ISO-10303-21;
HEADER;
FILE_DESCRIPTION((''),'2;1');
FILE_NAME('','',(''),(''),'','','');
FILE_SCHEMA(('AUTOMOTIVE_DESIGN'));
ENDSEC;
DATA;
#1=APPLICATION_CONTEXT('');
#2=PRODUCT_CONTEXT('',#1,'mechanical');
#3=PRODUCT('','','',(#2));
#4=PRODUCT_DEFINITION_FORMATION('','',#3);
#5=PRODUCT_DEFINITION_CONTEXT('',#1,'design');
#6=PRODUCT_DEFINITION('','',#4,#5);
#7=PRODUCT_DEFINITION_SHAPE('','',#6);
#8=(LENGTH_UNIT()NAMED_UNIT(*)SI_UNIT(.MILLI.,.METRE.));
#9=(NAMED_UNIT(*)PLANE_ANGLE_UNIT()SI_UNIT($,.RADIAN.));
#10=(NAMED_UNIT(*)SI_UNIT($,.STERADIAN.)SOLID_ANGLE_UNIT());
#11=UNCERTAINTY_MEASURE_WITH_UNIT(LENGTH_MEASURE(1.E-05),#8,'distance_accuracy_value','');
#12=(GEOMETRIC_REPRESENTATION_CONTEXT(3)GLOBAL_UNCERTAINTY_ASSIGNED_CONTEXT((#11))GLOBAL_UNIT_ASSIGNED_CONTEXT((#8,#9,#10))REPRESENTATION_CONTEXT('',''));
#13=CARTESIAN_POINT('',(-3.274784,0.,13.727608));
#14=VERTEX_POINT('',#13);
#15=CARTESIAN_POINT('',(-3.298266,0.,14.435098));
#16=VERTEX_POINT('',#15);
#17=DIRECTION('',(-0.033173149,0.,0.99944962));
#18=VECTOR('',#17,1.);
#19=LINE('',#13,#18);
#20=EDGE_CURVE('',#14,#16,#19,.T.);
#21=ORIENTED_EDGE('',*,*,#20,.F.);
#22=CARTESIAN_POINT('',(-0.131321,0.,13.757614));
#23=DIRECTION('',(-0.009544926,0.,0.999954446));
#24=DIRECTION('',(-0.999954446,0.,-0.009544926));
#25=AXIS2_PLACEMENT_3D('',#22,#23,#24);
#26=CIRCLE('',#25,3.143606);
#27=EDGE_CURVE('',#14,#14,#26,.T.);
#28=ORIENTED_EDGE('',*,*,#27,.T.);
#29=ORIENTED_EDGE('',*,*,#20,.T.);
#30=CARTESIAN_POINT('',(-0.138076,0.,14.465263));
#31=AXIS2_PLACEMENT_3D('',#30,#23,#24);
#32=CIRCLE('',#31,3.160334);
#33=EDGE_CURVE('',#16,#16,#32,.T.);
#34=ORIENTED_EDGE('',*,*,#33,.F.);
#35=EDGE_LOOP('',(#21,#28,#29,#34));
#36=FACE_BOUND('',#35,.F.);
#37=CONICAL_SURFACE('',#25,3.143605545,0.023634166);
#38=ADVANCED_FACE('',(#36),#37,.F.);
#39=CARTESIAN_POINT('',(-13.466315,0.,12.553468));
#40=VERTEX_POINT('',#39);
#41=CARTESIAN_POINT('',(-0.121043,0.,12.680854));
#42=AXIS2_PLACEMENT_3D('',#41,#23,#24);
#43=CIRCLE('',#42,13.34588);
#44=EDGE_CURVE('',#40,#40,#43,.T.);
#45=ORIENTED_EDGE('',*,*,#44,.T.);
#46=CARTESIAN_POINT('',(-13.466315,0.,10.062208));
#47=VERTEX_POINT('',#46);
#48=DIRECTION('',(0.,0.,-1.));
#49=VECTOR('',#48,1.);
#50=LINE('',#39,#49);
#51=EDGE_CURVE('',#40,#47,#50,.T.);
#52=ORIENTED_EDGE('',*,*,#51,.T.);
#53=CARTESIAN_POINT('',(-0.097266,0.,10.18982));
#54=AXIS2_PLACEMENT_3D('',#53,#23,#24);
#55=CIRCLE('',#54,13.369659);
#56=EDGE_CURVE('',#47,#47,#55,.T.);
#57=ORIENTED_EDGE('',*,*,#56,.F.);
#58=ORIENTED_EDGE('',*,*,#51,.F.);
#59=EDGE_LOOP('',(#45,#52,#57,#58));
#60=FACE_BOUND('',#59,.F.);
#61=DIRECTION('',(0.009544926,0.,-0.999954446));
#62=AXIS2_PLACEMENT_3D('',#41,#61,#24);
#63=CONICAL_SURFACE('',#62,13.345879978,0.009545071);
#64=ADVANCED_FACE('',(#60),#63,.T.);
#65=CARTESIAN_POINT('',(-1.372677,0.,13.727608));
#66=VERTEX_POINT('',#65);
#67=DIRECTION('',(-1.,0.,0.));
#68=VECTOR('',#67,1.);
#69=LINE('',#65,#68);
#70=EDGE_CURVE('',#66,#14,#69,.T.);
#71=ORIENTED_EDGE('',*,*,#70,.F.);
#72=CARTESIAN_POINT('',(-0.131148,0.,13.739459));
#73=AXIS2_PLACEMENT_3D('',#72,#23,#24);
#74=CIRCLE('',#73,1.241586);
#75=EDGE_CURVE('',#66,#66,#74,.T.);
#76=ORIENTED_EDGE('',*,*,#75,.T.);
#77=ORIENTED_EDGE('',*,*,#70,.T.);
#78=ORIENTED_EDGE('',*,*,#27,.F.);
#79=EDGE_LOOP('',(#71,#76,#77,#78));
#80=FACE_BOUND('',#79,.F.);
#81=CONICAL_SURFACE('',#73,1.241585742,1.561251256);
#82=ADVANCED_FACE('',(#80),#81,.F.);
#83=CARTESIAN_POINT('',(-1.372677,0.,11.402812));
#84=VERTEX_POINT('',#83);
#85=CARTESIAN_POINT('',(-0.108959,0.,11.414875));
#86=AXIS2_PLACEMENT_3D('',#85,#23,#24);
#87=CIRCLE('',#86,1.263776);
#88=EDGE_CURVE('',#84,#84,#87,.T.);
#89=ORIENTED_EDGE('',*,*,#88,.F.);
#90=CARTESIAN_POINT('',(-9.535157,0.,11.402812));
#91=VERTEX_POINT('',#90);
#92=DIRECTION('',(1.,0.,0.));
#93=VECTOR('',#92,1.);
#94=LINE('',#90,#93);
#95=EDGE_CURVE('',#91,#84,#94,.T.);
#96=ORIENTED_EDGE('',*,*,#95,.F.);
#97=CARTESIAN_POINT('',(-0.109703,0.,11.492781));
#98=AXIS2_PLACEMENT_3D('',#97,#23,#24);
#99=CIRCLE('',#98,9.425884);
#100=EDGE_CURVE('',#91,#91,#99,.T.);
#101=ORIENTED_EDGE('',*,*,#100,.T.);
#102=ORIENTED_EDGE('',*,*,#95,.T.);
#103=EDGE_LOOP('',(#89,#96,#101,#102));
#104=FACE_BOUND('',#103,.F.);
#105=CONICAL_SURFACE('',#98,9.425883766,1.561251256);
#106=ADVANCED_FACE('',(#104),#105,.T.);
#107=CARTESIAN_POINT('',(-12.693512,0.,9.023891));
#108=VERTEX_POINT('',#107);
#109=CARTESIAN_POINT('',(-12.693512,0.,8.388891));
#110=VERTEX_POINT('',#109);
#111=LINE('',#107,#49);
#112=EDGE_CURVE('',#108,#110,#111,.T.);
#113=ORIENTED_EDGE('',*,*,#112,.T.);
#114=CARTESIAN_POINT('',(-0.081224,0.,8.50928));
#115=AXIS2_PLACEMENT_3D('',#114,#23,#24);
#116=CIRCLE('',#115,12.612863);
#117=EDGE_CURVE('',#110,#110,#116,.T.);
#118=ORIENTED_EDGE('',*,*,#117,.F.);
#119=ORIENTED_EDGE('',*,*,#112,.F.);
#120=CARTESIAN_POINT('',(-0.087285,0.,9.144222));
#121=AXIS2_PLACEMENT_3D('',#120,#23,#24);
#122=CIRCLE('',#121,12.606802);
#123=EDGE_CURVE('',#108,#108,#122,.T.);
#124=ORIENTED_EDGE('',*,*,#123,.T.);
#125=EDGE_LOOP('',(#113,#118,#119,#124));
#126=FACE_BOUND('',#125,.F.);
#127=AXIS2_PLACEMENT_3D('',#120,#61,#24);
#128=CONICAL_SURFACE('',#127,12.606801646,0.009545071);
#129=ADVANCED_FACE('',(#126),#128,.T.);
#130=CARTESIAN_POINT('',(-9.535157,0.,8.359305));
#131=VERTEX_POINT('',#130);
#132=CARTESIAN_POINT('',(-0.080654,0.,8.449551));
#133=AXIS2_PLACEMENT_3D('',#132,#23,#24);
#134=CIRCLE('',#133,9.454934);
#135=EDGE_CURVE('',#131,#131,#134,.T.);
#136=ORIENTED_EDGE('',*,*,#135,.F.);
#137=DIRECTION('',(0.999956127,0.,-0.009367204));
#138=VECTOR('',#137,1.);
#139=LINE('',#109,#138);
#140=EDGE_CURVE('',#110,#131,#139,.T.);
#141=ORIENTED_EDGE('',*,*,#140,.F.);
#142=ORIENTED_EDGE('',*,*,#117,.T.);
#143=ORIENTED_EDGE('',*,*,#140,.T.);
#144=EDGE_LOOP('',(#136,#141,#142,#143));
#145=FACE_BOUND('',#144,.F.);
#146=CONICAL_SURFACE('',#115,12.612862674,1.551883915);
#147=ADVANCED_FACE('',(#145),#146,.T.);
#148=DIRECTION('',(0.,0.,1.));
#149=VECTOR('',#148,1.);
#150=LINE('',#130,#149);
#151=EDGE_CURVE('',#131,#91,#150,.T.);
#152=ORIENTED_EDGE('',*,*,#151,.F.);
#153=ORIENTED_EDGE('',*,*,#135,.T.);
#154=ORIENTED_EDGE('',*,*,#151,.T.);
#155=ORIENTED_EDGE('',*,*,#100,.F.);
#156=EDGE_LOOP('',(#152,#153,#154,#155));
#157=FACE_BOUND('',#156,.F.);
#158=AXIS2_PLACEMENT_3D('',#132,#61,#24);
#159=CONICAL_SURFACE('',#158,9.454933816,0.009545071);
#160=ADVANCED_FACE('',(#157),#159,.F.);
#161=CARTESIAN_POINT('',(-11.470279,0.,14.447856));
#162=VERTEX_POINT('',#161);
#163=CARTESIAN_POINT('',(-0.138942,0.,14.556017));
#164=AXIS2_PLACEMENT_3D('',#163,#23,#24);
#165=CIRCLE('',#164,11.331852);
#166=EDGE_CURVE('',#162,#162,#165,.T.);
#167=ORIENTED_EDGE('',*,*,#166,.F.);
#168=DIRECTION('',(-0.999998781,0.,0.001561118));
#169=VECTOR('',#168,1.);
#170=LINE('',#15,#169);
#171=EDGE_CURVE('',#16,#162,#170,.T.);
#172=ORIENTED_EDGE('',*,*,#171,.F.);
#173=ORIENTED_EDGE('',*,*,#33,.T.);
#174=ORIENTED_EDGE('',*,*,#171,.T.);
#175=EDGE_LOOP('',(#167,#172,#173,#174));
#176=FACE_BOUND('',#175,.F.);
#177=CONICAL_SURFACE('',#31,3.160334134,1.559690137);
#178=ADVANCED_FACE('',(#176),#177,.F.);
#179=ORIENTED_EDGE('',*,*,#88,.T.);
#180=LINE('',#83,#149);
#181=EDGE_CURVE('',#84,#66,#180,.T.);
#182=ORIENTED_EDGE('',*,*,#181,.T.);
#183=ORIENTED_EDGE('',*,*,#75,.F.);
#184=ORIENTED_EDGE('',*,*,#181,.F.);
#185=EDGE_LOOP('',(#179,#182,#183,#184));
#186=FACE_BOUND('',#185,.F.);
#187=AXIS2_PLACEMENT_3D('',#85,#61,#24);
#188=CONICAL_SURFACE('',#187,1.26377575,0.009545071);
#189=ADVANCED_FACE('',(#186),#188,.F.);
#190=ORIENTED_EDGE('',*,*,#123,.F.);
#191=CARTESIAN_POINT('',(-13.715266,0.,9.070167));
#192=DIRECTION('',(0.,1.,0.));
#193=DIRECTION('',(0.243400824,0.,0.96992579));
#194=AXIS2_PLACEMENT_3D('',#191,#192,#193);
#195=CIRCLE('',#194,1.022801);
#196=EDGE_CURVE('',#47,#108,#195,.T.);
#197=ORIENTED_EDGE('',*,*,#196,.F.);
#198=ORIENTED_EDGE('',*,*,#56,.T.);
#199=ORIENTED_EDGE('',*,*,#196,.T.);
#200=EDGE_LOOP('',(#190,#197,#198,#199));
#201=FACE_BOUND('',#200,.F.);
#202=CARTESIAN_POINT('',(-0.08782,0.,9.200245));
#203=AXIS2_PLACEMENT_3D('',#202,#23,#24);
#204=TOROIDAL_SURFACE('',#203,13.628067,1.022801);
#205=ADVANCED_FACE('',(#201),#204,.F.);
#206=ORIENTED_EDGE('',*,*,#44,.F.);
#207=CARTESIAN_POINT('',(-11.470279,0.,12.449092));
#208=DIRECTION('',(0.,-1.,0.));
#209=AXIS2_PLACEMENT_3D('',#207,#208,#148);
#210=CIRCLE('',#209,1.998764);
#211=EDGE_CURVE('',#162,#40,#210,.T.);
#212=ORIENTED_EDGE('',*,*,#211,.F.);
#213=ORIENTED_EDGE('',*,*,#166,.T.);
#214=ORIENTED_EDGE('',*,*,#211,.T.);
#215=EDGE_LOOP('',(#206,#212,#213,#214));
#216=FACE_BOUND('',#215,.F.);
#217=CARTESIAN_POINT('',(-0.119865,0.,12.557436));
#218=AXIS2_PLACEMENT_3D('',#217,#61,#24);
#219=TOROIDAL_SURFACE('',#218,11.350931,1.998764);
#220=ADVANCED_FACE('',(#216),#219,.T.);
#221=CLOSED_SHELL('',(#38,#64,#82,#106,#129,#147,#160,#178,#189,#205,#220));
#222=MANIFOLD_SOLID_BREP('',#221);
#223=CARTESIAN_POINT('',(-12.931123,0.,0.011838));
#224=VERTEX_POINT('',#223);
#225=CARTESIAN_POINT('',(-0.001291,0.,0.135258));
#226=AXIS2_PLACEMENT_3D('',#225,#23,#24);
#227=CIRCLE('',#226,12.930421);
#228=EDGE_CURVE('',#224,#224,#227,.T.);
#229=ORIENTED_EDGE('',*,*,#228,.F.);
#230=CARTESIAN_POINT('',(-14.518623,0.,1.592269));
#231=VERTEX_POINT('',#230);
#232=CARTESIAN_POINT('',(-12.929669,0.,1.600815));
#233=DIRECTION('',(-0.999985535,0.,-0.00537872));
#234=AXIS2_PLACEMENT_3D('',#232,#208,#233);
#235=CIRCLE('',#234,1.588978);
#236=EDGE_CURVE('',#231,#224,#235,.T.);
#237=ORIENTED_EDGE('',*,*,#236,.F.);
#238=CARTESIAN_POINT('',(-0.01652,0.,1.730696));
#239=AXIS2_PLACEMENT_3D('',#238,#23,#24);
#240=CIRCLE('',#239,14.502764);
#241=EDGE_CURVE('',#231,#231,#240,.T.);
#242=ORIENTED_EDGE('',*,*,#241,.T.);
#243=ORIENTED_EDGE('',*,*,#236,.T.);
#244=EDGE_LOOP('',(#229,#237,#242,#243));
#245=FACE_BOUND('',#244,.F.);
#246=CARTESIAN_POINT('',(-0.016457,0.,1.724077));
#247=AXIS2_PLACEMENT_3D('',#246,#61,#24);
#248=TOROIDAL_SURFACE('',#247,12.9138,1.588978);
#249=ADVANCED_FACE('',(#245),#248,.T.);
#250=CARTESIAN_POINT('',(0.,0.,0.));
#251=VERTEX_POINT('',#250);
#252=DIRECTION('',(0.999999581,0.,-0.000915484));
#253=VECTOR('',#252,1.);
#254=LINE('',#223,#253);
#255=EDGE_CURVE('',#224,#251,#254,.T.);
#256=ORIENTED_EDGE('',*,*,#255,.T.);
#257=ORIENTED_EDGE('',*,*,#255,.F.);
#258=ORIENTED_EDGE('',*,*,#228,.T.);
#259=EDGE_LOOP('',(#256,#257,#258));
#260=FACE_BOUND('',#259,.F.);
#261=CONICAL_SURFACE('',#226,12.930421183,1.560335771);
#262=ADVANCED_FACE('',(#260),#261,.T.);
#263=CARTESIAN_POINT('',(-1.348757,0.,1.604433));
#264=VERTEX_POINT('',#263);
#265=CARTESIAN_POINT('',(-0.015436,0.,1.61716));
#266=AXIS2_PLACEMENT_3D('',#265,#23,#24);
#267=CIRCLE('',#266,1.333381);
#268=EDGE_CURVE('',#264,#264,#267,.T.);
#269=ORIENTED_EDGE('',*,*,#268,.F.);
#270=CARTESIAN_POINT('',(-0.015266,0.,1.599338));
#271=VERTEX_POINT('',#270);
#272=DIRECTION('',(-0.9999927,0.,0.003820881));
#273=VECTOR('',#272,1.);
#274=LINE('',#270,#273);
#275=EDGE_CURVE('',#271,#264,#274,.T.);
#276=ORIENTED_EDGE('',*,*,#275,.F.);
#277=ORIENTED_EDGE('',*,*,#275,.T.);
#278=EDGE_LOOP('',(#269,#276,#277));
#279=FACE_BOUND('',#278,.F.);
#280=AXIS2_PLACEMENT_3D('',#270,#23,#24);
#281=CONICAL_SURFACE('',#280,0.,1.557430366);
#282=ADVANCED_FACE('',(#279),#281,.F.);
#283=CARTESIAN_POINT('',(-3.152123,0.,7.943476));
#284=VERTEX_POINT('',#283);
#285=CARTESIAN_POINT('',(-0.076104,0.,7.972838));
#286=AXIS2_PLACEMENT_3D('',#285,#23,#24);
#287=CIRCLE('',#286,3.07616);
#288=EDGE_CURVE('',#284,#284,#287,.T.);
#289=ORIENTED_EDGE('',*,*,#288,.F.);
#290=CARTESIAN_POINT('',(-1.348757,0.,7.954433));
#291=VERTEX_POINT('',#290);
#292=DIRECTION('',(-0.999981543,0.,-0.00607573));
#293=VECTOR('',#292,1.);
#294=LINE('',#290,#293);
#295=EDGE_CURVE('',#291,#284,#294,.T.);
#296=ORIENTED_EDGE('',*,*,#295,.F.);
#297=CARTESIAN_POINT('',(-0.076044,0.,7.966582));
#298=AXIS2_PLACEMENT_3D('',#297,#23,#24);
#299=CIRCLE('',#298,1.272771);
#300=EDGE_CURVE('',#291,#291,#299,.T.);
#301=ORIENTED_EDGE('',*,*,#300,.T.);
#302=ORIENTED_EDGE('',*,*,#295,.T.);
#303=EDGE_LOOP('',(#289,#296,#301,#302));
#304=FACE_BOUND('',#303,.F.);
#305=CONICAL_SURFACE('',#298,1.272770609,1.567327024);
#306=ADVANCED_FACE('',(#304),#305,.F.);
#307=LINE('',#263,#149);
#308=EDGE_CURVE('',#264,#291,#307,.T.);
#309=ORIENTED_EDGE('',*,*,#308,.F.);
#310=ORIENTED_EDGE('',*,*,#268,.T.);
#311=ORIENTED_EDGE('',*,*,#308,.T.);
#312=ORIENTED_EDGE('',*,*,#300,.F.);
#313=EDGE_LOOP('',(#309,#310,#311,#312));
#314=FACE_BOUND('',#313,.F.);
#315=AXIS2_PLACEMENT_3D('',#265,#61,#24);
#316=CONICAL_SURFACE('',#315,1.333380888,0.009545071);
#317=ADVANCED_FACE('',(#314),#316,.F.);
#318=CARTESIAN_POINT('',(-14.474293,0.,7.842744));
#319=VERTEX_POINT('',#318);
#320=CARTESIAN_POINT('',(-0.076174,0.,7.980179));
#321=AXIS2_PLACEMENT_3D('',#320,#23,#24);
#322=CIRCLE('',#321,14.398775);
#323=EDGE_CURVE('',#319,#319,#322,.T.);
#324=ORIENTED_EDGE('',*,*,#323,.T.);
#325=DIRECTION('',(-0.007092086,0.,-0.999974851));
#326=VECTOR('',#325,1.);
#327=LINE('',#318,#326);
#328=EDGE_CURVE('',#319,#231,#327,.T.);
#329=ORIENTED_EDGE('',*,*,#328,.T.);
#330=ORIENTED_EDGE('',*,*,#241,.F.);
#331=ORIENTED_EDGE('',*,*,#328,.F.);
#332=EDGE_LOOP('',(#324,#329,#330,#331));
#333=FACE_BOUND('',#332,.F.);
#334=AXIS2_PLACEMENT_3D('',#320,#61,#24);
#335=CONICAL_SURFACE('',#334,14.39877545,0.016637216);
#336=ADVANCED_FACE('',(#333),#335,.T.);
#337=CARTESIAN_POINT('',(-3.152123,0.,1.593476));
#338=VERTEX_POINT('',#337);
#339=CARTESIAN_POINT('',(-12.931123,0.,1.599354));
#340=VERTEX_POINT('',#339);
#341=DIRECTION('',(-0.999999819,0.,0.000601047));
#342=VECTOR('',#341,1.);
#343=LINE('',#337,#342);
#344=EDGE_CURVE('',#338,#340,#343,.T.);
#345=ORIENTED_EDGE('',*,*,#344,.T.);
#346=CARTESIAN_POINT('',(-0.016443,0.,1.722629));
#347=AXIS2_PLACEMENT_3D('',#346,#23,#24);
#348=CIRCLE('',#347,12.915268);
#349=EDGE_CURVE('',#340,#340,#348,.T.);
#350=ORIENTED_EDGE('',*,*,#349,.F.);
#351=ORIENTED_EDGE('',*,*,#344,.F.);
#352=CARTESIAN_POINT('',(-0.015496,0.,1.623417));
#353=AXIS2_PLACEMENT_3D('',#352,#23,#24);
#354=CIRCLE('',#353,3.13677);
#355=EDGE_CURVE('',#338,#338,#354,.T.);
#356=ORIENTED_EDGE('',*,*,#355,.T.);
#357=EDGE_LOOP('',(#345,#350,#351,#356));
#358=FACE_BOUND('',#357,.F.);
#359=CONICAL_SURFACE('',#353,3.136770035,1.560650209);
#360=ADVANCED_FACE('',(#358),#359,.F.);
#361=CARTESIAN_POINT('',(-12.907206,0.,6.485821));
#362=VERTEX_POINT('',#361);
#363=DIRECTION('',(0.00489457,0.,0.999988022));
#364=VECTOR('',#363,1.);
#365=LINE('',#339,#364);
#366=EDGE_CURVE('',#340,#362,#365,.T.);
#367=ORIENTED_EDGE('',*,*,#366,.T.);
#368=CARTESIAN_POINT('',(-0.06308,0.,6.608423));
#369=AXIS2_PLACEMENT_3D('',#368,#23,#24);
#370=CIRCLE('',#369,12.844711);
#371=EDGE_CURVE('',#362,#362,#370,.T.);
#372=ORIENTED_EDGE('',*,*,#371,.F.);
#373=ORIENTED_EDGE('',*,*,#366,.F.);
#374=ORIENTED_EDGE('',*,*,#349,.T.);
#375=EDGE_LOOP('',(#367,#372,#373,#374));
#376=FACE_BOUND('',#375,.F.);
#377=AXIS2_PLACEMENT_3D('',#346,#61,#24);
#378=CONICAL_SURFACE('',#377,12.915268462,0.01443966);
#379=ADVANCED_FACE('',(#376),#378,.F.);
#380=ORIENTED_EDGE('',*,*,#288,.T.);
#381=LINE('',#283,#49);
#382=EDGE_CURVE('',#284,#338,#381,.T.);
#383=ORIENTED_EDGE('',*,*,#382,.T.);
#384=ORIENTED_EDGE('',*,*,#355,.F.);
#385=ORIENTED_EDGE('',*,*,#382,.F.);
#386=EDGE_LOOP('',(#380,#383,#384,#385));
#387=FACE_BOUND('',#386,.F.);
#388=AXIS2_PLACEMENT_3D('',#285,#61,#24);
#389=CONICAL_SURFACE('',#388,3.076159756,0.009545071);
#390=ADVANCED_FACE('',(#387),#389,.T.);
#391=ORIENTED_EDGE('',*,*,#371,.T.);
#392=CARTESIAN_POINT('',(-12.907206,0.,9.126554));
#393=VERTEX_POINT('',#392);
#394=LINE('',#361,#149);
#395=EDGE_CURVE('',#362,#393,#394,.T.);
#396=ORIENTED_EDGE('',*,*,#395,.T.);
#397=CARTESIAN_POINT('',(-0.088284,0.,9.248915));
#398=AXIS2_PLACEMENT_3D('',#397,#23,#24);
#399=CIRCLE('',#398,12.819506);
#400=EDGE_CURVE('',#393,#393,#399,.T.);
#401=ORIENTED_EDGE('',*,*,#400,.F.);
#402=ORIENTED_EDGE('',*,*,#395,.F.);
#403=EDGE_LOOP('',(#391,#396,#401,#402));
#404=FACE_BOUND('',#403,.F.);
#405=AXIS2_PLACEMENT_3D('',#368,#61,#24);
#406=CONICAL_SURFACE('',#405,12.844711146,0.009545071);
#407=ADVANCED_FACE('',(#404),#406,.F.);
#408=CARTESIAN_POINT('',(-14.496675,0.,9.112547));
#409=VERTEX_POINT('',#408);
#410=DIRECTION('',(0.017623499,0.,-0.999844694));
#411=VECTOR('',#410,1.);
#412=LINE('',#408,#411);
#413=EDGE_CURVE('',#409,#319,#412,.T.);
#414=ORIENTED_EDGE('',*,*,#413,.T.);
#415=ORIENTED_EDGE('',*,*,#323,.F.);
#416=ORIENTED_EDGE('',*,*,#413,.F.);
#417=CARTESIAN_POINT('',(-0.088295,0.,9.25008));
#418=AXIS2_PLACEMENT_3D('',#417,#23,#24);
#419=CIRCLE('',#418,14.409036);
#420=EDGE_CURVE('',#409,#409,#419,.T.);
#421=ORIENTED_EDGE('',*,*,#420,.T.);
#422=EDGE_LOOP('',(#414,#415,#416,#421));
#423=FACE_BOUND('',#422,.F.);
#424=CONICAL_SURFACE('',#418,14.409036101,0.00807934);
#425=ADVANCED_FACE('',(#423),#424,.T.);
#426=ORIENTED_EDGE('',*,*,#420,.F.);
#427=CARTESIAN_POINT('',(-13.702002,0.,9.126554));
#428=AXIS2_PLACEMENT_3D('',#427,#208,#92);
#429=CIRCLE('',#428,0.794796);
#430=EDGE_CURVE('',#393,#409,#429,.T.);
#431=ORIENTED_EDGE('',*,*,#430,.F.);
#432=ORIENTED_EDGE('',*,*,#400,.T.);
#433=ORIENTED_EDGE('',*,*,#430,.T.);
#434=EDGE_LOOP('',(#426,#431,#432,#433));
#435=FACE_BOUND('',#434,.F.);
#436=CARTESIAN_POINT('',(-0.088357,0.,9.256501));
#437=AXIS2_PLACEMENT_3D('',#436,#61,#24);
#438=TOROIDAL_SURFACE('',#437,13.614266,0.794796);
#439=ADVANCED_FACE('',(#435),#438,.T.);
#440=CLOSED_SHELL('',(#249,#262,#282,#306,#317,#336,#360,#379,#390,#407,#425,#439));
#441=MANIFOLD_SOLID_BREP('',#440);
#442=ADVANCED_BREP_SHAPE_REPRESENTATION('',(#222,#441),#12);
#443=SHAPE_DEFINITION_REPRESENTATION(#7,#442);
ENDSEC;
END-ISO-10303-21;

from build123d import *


with BuildPart() as f2:
    # F0 (on Front) → F2 (revolve)
    with BuildSketch(Plane.XZ):
        with BuildLine():
            Line((-1.3487565264, 7.9544333927), (-3.1521232403, 7.9434764208))
            Line((-3.1521232403, 7.9434764208), (-3.1521232403, 1.5934764208))
            Line((-3.1521232403, 1.5934764208), (-12.9311232403, 1.5993540598))
            Line((-12.9311232403, 1.5993540598), (-12.9072057985, 6.4858209717))
            Line((-12.9072057985, 6.4858209717), (-12.9072057985, 9.1265536233))
            ThreePointArc((-12.9072057985, 9.1265536233), (-13.709005966, 9.9213191128), (-14.4966750605, 9.1125465308))
            Line((-14.4966750605, 9.1125465308), (-14.4742932171, 7.8427437693))
            Line((-14.4742932171, 7.8427437693), (-14.5186232403, 1.5922685852))
            ThreePointArc((-14.5186232403, 1.5922685852), (-14.0507352368, 0.4747337572), (-12.9311232403, 0.0118382476))
            Line((-12.9311232403, 0.0118382476), (0, 0))
            Line((0, 0), (-0.0152662604, 1.5993382476))
            Line((-0.0152662604, 1.5993382476), (-1.3487565264, 1.6044333927))
            Line((-1.3487565264, 1.6044333927), (-1.3487565264, 7.9544333927))
        make_face()
    revolve(axis=Axis((-0.0076331302, 0, 0.7996691238), (-0.0095449258, 0, 0.9999544462)))


with BuildPart() as f3:
    # F1 (on Front) → F3 (revolve)
    with BuildSketch(Plane.XZ):
        with BuildLine():
            Line((-12.6935122535, 8.3888908848), (-9.5351571217, 8.3593046293))
            Line((-9.5351571217, 8.3593046293), (-9.5351571217, 11.4028118551))
            Line((-9.5351571217, 11.4028118551), (-1.372677274, 11.4028118551))
            Line((-1.372677274, 11.4028118551), (-1.372677274, 13.7276081368))
            Line((-1.372677274, 13.7276081368), (-3.2747837249, 13.7276081368))
            Line((-3.2747837249, 13.7276081368), (-3.2982663251, 14.4350982725))
            Line((-3.2982663251, 14.4350982725), (-11.470278725, 14.4478557631))
            ThreePointArc((-11.470278725, 14.4478557631), (-12.846220754, 13.8988644377), (-13.466315344, 12.5534683466))
            Line((-13.466315344, 12.5534683466), (-13.466315344, 10.0622076932))
            ThreePointArc((-13.466315344, 10.0622076932), (-12.8947796338, 9.6808417755), (-12.6935122535, 9.0238908848))
            Line((-12.6935122535, 9.0238908848), (-12.6935122535, 8.3888908848))
        make_face()
    revolve(axis=Axis((-0.0076331302, 0, 0.7996691238), (-0.0095449258, 0, 0.9999544462)))


solid = Compound([f2.part, f3.part])
